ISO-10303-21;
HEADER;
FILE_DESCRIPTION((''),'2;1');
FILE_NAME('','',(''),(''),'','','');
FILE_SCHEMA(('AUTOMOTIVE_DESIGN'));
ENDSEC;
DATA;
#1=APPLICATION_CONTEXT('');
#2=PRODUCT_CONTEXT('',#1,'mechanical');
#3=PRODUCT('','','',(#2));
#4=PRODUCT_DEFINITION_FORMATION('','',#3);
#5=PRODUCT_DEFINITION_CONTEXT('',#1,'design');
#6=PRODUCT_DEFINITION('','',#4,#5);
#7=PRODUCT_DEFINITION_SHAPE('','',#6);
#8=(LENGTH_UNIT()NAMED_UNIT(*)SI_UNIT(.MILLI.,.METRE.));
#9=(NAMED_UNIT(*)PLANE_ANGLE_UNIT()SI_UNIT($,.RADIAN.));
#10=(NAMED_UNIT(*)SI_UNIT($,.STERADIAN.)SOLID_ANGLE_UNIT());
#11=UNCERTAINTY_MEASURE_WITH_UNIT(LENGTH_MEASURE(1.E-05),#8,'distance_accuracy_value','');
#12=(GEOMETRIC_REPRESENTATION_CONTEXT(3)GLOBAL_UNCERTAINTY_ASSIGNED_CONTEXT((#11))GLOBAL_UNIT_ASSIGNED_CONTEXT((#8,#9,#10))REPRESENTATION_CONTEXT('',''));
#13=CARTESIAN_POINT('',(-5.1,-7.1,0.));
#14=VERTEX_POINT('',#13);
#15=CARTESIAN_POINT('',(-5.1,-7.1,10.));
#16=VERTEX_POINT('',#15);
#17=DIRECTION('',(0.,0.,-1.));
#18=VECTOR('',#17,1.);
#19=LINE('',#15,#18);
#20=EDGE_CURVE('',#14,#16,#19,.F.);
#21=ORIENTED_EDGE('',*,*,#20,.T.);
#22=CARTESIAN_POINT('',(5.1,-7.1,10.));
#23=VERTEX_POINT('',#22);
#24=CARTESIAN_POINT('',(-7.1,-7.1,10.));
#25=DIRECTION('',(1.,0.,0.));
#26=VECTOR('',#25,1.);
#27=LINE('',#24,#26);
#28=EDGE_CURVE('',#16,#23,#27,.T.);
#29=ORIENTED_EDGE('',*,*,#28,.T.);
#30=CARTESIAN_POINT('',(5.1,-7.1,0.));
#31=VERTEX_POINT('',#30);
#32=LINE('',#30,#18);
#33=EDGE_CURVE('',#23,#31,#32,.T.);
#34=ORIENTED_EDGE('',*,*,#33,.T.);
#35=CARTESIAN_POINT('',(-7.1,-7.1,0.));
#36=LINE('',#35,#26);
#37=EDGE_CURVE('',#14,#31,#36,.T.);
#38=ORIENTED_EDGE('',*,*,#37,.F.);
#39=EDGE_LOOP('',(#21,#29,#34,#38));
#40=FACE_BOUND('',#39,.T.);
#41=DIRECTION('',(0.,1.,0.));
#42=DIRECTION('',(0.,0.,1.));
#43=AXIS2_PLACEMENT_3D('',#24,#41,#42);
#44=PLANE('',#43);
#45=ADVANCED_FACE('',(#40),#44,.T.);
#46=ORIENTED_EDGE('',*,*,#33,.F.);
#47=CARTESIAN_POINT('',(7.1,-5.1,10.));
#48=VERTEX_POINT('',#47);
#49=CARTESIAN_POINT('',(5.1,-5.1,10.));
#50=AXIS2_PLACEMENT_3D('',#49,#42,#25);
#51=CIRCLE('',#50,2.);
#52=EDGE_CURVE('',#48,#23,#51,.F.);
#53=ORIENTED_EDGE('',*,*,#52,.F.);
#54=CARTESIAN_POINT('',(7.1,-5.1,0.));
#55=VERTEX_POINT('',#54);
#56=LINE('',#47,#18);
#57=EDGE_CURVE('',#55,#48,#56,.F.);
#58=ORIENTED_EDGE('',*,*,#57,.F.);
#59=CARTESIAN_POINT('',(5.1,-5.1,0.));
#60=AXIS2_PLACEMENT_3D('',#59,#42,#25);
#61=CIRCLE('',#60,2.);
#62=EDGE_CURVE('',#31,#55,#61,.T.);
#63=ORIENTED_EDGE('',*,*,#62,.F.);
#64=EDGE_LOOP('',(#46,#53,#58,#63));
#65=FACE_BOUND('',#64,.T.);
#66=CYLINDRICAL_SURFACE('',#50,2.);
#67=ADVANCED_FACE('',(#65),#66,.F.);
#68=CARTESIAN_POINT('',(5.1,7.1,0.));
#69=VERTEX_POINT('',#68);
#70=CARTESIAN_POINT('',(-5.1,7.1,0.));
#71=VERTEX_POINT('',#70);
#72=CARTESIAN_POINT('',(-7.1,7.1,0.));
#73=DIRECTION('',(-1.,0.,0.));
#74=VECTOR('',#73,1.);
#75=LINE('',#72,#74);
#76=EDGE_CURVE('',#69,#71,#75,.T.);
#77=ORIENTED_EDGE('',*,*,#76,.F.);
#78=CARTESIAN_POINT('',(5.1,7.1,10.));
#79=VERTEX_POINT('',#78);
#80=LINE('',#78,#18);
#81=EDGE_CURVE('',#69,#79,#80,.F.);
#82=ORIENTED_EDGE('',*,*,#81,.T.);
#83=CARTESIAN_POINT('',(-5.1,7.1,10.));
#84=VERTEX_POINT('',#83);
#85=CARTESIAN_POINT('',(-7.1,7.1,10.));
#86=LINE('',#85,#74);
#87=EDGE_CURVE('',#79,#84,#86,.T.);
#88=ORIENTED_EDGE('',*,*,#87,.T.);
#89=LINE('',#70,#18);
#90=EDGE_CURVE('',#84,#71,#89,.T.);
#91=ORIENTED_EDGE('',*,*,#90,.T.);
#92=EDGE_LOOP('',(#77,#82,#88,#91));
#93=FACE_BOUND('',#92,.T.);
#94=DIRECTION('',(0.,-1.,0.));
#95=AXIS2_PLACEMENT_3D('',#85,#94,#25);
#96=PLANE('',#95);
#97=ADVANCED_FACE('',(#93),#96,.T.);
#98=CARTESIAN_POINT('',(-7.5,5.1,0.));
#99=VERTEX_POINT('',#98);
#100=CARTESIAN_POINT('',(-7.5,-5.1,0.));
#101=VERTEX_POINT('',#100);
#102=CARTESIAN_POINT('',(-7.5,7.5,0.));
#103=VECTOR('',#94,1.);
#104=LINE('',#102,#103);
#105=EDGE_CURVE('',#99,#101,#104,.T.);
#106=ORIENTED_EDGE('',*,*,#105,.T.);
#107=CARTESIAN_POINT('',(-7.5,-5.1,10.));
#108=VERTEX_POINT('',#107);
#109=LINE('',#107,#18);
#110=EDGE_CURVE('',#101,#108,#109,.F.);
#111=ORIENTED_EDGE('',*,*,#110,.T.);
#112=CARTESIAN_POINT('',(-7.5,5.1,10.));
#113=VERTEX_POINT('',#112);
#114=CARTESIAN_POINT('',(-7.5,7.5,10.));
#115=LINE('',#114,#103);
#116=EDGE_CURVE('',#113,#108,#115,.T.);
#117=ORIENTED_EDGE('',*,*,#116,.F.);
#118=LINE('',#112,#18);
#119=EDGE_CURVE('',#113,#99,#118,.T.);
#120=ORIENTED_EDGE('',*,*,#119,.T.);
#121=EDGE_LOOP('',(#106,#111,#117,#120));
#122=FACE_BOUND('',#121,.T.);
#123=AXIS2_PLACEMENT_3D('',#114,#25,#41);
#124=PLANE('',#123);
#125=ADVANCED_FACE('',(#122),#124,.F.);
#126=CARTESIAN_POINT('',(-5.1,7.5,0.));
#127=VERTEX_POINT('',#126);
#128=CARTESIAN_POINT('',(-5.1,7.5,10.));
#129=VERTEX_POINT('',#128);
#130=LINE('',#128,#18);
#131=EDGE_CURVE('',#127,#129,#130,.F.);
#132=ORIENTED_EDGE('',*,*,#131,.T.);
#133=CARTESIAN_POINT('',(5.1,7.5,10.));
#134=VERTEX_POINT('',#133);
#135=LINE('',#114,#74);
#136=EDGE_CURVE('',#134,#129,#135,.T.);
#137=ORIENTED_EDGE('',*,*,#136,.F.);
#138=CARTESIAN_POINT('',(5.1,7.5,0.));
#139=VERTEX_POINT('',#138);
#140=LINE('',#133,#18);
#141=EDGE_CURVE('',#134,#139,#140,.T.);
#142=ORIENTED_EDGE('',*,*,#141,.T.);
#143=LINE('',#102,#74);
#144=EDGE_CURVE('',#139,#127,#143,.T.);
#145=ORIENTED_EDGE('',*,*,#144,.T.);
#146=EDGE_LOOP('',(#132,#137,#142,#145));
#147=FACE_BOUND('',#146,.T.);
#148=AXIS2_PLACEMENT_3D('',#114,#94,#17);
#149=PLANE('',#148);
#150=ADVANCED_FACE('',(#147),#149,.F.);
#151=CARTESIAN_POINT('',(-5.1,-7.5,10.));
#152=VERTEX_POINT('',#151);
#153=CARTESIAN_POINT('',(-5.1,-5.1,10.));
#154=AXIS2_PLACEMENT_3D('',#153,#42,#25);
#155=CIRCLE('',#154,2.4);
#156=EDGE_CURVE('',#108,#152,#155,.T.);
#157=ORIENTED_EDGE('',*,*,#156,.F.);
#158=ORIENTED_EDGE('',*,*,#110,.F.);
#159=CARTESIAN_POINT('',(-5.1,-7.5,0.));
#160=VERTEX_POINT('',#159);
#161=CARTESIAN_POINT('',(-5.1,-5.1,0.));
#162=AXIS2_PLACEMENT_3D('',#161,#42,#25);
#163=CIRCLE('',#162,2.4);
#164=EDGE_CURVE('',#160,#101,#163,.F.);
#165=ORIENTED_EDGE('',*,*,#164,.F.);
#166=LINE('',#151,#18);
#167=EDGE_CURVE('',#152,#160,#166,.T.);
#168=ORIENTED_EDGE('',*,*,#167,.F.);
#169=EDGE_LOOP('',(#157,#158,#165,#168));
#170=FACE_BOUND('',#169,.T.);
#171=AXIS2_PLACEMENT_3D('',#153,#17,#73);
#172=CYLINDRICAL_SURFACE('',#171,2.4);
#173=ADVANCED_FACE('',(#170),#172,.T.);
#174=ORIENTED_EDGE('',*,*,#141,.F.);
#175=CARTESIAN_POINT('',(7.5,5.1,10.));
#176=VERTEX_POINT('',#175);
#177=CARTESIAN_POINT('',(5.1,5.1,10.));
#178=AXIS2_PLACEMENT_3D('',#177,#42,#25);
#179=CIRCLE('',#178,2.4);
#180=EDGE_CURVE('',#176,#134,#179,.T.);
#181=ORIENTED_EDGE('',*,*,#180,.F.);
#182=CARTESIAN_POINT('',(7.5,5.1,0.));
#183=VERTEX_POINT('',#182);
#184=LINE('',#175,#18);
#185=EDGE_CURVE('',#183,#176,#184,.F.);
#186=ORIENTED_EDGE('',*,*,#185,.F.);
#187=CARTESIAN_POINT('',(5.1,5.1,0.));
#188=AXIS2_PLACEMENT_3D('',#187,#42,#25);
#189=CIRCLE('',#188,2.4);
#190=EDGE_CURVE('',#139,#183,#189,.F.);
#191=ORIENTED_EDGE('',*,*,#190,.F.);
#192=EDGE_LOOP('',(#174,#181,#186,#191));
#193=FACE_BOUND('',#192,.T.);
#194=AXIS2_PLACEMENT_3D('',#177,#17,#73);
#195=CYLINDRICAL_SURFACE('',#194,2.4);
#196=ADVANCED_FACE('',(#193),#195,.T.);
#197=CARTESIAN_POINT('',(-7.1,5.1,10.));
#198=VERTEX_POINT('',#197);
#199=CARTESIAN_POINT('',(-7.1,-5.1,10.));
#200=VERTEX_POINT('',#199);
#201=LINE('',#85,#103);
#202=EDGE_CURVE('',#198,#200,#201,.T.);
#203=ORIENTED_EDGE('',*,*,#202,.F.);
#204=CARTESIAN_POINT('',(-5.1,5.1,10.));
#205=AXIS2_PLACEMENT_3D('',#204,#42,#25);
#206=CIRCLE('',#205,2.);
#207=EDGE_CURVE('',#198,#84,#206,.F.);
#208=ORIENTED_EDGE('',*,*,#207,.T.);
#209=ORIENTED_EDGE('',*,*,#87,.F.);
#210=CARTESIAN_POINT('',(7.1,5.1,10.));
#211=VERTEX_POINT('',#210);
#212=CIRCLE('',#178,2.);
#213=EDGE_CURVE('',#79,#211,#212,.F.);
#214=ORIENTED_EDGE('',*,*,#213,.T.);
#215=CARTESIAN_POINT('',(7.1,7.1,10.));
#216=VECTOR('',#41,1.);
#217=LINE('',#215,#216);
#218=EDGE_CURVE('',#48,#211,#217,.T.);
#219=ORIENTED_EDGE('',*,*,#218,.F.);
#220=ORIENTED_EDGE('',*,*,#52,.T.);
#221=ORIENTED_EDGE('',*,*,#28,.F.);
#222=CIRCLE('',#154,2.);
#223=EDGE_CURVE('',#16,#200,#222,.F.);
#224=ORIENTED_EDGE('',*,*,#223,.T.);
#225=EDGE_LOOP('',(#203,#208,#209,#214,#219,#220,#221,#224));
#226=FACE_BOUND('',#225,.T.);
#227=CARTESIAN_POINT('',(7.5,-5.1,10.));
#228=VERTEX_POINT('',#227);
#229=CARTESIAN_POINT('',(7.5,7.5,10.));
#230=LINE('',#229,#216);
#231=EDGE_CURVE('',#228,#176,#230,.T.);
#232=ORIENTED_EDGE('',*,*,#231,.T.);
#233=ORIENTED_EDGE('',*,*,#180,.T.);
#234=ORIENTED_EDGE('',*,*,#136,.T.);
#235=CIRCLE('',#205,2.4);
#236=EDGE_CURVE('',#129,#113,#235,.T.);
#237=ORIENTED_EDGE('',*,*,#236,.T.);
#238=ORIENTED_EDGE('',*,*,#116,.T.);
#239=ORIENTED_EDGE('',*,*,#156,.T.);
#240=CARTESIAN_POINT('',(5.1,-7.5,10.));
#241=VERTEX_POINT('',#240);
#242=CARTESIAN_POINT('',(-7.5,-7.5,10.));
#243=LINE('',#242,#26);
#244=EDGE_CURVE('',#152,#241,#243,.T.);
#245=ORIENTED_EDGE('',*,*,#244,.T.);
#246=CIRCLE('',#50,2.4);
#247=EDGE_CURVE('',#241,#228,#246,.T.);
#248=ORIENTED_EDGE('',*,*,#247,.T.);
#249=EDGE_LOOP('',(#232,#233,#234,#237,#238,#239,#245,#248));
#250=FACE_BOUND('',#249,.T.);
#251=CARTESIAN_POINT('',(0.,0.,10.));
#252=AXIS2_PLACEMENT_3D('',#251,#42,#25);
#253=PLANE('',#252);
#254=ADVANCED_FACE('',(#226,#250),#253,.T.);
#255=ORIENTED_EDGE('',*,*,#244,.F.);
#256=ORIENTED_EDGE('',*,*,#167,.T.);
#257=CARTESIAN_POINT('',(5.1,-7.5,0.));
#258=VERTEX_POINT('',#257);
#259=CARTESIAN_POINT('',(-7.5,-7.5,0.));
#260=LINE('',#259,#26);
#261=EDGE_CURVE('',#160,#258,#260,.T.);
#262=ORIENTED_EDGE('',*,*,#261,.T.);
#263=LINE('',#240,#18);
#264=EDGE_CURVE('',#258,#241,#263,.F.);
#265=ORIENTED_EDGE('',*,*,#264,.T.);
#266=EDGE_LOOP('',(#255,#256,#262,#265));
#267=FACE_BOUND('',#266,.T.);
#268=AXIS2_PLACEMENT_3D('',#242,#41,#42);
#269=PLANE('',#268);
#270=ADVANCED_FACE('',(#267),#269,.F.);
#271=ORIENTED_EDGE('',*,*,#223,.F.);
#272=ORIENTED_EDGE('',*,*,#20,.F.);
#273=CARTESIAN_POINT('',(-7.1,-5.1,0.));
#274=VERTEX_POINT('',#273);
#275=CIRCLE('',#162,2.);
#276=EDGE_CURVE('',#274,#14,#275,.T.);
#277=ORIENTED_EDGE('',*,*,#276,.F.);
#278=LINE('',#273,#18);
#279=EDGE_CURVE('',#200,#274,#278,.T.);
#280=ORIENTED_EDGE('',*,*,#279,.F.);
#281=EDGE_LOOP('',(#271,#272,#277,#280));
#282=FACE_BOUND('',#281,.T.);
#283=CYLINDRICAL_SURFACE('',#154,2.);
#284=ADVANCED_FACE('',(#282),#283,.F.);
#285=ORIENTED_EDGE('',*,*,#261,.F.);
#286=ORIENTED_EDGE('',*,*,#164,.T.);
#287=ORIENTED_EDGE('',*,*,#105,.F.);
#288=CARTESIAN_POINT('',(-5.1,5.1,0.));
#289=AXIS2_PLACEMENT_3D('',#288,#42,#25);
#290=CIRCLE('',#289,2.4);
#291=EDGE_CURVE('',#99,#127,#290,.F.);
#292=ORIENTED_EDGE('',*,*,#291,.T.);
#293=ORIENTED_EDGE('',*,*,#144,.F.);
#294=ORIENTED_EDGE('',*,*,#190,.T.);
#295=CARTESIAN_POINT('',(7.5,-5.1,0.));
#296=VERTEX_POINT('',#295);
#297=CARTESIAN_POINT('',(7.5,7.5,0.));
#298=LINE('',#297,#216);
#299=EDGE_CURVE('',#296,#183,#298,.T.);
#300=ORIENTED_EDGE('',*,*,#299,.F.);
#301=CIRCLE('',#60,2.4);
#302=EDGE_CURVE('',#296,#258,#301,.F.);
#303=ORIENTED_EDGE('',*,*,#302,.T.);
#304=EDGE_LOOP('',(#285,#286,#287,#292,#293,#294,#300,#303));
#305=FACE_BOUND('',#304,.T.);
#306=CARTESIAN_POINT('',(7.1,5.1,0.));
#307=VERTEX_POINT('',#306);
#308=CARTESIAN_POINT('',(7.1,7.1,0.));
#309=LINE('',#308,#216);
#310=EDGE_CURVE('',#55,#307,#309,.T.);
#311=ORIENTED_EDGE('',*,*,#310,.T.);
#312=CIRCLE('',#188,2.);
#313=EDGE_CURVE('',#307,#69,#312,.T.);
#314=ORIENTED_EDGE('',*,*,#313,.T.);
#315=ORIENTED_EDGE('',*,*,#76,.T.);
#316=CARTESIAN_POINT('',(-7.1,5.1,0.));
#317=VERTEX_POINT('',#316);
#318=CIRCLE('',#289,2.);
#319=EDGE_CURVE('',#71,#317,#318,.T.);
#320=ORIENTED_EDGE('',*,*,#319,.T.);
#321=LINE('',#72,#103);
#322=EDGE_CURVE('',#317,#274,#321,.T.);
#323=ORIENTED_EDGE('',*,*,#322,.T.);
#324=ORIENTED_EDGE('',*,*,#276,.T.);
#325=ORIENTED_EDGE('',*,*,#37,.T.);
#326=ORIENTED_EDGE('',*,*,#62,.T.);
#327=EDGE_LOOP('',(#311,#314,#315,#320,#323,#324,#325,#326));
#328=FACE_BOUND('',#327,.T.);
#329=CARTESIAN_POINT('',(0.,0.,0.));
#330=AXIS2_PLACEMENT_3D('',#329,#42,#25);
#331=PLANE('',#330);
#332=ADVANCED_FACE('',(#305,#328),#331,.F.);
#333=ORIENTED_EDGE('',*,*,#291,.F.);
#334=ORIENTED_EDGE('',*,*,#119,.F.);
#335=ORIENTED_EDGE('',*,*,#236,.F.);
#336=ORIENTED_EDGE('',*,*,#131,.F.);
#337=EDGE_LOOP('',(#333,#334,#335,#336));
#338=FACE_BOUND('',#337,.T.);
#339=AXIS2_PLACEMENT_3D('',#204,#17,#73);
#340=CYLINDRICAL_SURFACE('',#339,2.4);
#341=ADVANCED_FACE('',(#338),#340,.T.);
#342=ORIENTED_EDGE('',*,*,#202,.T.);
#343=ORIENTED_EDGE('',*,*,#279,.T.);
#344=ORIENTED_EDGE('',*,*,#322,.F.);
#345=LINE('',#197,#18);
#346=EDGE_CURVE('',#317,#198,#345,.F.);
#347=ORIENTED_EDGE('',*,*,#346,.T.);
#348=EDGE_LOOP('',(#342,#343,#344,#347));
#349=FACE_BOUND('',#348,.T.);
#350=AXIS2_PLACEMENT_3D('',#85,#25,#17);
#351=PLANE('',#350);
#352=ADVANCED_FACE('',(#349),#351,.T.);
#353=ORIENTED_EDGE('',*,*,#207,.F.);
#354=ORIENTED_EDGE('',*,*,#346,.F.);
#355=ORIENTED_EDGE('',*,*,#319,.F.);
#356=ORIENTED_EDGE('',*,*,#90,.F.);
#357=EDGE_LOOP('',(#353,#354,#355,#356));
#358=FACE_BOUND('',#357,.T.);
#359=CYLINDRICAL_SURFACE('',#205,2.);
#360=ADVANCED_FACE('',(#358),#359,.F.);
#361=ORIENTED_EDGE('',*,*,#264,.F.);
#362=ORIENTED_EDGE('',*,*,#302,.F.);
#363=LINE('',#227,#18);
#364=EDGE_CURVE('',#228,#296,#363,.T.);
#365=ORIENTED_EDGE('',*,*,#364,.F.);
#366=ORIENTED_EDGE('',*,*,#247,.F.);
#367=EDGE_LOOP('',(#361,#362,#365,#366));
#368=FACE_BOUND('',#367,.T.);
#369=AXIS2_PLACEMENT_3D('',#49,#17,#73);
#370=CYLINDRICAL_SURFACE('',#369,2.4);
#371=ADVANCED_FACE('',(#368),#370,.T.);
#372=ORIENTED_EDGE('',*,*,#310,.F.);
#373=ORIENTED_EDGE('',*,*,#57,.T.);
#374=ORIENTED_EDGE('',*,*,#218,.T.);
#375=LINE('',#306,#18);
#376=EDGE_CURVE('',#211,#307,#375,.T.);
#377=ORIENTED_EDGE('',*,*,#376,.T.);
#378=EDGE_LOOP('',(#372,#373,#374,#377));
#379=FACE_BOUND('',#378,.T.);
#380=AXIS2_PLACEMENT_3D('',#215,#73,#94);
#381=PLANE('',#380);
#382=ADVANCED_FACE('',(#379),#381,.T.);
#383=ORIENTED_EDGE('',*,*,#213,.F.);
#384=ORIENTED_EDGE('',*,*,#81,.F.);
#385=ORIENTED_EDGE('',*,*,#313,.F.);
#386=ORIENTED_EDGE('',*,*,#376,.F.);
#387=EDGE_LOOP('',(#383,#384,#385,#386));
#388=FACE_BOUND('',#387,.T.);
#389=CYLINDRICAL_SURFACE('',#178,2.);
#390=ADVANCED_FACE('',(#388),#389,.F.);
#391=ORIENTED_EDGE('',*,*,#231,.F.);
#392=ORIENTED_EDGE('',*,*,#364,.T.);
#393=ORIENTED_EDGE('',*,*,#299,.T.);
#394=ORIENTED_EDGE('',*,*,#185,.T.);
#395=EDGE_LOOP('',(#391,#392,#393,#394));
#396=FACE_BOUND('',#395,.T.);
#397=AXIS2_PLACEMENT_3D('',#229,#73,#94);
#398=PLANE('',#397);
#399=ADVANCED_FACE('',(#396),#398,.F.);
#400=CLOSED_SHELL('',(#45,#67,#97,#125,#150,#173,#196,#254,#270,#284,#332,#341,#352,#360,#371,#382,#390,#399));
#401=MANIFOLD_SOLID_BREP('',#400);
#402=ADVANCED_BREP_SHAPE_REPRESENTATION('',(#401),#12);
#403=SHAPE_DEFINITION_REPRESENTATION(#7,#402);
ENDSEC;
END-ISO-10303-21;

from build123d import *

# Parameters (mm, degrees)
SKETCH1_W           = 15
SKETCH1_H           = 15
SKETCH1_W_2         = 14.2
SKETCH1_H_2         = 14.2
BOSS_EXTRUDE1_DEPTH = 10
FILLET1_R           = 2
FILLET2_R           = 2.4


with BuildPart() as part:
    # Sketch1 → Boss-Extrude1 (new body)
    with BuildSketch(Plane.XY):
        Rectangle(SKETCH1_W, SKETCH1_H)
        Rectangle(SKETCH1_W_2, SKETCH1_H_2, mode=Mode.SUBTRACT)
    extrude(amount=BOSS_EXTRUDE1_DEPTH)

    # Fillet1
    fillet1_edges = [part.edges().sort_by_distance(p)[0] for p in [
        (7.1, -7.1, 5),
        (7.1, 7.1, 5),
        (-7.1, 7.1, 5),
        (-7.1, -7.1, 5),
    ]]
    fillet(fillet1_edges, radius=FILLET1_R)

    # Fillet2
    fillet2_edges = [part.edges().sort_by_distance(p)[0] for p in [
        (7.5, -7.5, 5),
        (-7.5, -7.5, 5),
        (-7.5, 7.5, 5),
        (7.5, 7.5, 5),
    ]]
    fillet(fillet2_edges, radius=FILLET2_R)


solid = part.part
